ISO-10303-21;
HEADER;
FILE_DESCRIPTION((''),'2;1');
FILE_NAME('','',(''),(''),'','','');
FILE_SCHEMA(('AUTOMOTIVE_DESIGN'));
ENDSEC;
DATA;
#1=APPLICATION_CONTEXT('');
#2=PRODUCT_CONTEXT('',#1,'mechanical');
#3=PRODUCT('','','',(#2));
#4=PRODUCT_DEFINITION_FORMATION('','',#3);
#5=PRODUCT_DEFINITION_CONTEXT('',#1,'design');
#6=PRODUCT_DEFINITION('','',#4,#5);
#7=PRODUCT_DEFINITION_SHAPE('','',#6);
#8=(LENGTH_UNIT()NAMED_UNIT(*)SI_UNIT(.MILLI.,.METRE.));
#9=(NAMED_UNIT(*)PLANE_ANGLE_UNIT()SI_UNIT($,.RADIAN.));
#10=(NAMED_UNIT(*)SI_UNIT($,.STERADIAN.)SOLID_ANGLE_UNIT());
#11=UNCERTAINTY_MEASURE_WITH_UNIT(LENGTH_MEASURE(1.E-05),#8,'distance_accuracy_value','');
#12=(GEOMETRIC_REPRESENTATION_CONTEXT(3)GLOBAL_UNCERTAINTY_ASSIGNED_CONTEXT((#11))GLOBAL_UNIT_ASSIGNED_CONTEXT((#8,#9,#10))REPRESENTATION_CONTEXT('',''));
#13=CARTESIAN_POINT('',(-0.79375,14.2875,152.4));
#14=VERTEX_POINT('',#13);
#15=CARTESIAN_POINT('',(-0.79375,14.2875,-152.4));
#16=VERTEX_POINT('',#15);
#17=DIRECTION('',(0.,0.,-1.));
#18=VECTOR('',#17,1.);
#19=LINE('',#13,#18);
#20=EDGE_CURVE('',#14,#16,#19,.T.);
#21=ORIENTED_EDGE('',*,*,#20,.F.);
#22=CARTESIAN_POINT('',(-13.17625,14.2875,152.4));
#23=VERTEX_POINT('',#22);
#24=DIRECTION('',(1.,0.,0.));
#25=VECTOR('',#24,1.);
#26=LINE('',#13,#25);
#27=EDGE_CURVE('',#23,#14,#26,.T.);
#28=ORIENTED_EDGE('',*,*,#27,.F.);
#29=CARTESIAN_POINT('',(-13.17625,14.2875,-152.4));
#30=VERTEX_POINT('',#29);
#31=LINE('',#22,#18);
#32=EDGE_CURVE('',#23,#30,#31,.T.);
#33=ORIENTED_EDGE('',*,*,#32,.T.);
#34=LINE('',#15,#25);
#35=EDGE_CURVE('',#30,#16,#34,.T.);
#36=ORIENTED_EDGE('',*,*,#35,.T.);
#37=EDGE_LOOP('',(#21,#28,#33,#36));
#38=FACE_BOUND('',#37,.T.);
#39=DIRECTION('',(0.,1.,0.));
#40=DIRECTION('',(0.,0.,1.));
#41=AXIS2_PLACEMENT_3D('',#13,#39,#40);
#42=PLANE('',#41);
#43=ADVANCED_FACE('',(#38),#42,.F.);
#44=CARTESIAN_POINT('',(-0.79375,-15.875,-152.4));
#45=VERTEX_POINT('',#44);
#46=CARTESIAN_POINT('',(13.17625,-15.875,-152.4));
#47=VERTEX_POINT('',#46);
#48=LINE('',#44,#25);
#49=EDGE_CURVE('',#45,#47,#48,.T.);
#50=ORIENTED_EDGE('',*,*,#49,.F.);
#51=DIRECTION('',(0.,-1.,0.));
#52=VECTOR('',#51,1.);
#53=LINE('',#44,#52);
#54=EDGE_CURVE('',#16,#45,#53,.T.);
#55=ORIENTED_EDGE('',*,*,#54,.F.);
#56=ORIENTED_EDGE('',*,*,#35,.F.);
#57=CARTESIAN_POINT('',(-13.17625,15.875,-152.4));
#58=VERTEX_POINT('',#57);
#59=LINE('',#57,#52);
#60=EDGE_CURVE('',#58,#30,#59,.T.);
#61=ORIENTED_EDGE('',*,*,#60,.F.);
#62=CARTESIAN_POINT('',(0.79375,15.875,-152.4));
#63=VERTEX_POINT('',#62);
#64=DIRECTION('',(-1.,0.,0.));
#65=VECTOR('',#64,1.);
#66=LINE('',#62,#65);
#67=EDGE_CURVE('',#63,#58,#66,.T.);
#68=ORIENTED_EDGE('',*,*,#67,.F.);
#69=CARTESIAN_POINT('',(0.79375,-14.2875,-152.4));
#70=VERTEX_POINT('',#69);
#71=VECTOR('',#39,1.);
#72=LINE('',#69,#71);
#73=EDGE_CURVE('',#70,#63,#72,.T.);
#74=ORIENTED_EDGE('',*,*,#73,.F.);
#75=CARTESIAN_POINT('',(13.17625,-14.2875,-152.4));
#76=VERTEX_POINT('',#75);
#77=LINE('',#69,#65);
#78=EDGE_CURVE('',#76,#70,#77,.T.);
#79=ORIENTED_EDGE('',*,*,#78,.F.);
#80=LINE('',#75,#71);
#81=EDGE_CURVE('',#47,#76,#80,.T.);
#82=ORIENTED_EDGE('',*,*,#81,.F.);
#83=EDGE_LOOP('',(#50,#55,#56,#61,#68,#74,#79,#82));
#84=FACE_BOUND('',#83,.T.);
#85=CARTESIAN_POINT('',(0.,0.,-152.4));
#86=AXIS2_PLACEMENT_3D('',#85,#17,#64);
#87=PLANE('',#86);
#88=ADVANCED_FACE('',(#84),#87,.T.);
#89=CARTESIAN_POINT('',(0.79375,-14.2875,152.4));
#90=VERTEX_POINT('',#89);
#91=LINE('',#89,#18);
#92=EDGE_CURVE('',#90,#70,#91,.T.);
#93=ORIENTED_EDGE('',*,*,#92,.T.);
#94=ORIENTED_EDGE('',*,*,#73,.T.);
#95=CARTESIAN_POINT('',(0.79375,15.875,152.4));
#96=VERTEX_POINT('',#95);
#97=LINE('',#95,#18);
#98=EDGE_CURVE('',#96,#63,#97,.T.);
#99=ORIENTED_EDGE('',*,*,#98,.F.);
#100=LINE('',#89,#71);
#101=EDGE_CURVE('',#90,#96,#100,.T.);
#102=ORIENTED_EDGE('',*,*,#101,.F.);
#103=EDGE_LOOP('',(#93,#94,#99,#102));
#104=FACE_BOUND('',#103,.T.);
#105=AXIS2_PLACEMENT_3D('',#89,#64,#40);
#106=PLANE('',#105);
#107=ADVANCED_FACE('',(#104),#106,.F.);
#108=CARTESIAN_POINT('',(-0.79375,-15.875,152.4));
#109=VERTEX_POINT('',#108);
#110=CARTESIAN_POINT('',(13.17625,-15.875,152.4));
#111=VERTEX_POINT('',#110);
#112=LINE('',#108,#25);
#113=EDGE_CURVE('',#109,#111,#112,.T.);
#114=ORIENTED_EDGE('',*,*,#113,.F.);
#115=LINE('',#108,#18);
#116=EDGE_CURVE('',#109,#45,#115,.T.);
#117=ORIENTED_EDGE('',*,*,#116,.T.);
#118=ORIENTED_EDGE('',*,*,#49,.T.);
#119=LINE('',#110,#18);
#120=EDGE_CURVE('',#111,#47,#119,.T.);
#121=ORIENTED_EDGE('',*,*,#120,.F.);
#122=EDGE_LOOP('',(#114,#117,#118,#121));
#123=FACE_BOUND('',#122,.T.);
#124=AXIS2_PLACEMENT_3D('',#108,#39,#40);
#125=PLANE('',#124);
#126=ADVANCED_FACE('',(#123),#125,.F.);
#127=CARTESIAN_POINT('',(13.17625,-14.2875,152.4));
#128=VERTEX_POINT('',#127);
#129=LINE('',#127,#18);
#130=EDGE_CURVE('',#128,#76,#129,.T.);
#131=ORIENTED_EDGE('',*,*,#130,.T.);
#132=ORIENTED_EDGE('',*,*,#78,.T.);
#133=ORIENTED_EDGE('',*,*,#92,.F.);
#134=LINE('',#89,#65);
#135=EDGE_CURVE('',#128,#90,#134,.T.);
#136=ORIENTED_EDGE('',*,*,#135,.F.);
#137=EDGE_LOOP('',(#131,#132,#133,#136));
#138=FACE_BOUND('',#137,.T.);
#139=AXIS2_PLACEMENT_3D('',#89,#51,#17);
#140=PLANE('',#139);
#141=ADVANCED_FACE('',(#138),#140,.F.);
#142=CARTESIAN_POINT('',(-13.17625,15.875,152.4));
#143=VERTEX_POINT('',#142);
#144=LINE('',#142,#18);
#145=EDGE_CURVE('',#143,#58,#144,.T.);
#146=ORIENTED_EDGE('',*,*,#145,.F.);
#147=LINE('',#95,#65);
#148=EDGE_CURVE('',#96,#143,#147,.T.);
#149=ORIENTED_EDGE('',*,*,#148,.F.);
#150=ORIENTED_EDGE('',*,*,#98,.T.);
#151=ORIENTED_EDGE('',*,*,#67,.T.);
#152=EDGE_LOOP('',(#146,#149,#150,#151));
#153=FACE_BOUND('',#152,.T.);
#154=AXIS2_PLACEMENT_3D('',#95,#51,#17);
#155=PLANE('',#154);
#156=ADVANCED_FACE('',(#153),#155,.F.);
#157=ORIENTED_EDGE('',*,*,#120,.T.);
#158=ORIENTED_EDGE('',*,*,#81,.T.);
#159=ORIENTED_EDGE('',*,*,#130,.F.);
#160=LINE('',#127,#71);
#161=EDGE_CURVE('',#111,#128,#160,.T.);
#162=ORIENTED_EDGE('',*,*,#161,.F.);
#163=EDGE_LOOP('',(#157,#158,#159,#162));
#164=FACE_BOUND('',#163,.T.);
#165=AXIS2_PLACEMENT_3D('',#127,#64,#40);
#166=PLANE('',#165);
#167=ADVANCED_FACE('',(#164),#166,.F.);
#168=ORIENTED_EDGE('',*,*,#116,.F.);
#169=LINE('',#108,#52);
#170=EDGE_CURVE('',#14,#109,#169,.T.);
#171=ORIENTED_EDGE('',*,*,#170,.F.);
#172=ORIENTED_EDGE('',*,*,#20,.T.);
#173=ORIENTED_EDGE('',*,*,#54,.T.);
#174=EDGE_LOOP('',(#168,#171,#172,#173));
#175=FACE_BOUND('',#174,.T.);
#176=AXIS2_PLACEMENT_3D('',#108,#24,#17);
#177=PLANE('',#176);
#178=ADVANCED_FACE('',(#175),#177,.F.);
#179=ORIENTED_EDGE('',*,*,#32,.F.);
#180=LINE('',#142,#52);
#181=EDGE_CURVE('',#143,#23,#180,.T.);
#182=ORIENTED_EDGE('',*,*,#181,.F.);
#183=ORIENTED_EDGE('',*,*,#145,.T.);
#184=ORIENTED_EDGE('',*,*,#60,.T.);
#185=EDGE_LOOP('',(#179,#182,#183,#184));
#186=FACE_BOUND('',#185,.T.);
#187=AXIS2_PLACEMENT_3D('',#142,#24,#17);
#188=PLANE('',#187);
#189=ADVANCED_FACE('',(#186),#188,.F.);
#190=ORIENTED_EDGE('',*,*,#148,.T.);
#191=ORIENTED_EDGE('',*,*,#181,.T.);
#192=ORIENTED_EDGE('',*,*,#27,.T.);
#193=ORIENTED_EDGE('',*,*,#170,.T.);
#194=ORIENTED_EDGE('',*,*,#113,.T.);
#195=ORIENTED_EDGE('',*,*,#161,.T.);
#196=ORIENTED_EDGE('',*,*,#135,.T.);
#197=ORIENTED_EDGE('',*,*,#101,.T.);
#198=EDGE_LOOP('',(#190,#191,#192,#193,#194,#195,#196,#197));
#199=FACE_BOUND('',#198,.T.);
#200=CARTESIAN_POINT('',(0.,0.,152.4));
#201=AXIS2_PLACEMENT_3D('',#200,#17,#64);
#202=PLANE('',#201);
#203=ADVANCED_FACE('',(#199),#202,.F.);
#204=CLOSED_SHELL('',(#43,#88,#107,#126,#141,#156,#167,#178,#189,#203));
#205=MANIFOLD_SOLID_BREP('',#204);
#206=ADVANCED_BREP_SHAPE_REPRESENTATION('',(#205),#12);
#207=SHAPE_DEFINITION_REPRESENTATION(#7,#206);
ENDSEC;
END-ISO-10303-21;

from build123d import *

# Parameters (mm, degrees)
BOSS_EXTRUDE1_DEPTH      = 152.4
BOSS_EXTRUDE1_DEPTH_BACK = 152.4


with BuildPart() as part:
    # Sketch3 → Boss-Extrude1 (new, two sides: drawn at the far end of the back side and taken through both)
    with BuildSketch(Plane.XY.offset(-BOSS_EXTRUDE1_DEPTH_BACK)):
        Polygon((13.17625, -14.2875), (13.17625, -15.875), (-0.79375, -15.875), (-0.79375, 14.2875), (-13.17625, 14.2875), (-13.17625, 15.875), (0.79375, 15.875), (0.79375, -14.2875), align=None)
    extrude(amount=BOSS_EXTRUDE1_DEPTH + BOSS_EXTRUDE1_DEPTH_BACK)


solid = part.part
